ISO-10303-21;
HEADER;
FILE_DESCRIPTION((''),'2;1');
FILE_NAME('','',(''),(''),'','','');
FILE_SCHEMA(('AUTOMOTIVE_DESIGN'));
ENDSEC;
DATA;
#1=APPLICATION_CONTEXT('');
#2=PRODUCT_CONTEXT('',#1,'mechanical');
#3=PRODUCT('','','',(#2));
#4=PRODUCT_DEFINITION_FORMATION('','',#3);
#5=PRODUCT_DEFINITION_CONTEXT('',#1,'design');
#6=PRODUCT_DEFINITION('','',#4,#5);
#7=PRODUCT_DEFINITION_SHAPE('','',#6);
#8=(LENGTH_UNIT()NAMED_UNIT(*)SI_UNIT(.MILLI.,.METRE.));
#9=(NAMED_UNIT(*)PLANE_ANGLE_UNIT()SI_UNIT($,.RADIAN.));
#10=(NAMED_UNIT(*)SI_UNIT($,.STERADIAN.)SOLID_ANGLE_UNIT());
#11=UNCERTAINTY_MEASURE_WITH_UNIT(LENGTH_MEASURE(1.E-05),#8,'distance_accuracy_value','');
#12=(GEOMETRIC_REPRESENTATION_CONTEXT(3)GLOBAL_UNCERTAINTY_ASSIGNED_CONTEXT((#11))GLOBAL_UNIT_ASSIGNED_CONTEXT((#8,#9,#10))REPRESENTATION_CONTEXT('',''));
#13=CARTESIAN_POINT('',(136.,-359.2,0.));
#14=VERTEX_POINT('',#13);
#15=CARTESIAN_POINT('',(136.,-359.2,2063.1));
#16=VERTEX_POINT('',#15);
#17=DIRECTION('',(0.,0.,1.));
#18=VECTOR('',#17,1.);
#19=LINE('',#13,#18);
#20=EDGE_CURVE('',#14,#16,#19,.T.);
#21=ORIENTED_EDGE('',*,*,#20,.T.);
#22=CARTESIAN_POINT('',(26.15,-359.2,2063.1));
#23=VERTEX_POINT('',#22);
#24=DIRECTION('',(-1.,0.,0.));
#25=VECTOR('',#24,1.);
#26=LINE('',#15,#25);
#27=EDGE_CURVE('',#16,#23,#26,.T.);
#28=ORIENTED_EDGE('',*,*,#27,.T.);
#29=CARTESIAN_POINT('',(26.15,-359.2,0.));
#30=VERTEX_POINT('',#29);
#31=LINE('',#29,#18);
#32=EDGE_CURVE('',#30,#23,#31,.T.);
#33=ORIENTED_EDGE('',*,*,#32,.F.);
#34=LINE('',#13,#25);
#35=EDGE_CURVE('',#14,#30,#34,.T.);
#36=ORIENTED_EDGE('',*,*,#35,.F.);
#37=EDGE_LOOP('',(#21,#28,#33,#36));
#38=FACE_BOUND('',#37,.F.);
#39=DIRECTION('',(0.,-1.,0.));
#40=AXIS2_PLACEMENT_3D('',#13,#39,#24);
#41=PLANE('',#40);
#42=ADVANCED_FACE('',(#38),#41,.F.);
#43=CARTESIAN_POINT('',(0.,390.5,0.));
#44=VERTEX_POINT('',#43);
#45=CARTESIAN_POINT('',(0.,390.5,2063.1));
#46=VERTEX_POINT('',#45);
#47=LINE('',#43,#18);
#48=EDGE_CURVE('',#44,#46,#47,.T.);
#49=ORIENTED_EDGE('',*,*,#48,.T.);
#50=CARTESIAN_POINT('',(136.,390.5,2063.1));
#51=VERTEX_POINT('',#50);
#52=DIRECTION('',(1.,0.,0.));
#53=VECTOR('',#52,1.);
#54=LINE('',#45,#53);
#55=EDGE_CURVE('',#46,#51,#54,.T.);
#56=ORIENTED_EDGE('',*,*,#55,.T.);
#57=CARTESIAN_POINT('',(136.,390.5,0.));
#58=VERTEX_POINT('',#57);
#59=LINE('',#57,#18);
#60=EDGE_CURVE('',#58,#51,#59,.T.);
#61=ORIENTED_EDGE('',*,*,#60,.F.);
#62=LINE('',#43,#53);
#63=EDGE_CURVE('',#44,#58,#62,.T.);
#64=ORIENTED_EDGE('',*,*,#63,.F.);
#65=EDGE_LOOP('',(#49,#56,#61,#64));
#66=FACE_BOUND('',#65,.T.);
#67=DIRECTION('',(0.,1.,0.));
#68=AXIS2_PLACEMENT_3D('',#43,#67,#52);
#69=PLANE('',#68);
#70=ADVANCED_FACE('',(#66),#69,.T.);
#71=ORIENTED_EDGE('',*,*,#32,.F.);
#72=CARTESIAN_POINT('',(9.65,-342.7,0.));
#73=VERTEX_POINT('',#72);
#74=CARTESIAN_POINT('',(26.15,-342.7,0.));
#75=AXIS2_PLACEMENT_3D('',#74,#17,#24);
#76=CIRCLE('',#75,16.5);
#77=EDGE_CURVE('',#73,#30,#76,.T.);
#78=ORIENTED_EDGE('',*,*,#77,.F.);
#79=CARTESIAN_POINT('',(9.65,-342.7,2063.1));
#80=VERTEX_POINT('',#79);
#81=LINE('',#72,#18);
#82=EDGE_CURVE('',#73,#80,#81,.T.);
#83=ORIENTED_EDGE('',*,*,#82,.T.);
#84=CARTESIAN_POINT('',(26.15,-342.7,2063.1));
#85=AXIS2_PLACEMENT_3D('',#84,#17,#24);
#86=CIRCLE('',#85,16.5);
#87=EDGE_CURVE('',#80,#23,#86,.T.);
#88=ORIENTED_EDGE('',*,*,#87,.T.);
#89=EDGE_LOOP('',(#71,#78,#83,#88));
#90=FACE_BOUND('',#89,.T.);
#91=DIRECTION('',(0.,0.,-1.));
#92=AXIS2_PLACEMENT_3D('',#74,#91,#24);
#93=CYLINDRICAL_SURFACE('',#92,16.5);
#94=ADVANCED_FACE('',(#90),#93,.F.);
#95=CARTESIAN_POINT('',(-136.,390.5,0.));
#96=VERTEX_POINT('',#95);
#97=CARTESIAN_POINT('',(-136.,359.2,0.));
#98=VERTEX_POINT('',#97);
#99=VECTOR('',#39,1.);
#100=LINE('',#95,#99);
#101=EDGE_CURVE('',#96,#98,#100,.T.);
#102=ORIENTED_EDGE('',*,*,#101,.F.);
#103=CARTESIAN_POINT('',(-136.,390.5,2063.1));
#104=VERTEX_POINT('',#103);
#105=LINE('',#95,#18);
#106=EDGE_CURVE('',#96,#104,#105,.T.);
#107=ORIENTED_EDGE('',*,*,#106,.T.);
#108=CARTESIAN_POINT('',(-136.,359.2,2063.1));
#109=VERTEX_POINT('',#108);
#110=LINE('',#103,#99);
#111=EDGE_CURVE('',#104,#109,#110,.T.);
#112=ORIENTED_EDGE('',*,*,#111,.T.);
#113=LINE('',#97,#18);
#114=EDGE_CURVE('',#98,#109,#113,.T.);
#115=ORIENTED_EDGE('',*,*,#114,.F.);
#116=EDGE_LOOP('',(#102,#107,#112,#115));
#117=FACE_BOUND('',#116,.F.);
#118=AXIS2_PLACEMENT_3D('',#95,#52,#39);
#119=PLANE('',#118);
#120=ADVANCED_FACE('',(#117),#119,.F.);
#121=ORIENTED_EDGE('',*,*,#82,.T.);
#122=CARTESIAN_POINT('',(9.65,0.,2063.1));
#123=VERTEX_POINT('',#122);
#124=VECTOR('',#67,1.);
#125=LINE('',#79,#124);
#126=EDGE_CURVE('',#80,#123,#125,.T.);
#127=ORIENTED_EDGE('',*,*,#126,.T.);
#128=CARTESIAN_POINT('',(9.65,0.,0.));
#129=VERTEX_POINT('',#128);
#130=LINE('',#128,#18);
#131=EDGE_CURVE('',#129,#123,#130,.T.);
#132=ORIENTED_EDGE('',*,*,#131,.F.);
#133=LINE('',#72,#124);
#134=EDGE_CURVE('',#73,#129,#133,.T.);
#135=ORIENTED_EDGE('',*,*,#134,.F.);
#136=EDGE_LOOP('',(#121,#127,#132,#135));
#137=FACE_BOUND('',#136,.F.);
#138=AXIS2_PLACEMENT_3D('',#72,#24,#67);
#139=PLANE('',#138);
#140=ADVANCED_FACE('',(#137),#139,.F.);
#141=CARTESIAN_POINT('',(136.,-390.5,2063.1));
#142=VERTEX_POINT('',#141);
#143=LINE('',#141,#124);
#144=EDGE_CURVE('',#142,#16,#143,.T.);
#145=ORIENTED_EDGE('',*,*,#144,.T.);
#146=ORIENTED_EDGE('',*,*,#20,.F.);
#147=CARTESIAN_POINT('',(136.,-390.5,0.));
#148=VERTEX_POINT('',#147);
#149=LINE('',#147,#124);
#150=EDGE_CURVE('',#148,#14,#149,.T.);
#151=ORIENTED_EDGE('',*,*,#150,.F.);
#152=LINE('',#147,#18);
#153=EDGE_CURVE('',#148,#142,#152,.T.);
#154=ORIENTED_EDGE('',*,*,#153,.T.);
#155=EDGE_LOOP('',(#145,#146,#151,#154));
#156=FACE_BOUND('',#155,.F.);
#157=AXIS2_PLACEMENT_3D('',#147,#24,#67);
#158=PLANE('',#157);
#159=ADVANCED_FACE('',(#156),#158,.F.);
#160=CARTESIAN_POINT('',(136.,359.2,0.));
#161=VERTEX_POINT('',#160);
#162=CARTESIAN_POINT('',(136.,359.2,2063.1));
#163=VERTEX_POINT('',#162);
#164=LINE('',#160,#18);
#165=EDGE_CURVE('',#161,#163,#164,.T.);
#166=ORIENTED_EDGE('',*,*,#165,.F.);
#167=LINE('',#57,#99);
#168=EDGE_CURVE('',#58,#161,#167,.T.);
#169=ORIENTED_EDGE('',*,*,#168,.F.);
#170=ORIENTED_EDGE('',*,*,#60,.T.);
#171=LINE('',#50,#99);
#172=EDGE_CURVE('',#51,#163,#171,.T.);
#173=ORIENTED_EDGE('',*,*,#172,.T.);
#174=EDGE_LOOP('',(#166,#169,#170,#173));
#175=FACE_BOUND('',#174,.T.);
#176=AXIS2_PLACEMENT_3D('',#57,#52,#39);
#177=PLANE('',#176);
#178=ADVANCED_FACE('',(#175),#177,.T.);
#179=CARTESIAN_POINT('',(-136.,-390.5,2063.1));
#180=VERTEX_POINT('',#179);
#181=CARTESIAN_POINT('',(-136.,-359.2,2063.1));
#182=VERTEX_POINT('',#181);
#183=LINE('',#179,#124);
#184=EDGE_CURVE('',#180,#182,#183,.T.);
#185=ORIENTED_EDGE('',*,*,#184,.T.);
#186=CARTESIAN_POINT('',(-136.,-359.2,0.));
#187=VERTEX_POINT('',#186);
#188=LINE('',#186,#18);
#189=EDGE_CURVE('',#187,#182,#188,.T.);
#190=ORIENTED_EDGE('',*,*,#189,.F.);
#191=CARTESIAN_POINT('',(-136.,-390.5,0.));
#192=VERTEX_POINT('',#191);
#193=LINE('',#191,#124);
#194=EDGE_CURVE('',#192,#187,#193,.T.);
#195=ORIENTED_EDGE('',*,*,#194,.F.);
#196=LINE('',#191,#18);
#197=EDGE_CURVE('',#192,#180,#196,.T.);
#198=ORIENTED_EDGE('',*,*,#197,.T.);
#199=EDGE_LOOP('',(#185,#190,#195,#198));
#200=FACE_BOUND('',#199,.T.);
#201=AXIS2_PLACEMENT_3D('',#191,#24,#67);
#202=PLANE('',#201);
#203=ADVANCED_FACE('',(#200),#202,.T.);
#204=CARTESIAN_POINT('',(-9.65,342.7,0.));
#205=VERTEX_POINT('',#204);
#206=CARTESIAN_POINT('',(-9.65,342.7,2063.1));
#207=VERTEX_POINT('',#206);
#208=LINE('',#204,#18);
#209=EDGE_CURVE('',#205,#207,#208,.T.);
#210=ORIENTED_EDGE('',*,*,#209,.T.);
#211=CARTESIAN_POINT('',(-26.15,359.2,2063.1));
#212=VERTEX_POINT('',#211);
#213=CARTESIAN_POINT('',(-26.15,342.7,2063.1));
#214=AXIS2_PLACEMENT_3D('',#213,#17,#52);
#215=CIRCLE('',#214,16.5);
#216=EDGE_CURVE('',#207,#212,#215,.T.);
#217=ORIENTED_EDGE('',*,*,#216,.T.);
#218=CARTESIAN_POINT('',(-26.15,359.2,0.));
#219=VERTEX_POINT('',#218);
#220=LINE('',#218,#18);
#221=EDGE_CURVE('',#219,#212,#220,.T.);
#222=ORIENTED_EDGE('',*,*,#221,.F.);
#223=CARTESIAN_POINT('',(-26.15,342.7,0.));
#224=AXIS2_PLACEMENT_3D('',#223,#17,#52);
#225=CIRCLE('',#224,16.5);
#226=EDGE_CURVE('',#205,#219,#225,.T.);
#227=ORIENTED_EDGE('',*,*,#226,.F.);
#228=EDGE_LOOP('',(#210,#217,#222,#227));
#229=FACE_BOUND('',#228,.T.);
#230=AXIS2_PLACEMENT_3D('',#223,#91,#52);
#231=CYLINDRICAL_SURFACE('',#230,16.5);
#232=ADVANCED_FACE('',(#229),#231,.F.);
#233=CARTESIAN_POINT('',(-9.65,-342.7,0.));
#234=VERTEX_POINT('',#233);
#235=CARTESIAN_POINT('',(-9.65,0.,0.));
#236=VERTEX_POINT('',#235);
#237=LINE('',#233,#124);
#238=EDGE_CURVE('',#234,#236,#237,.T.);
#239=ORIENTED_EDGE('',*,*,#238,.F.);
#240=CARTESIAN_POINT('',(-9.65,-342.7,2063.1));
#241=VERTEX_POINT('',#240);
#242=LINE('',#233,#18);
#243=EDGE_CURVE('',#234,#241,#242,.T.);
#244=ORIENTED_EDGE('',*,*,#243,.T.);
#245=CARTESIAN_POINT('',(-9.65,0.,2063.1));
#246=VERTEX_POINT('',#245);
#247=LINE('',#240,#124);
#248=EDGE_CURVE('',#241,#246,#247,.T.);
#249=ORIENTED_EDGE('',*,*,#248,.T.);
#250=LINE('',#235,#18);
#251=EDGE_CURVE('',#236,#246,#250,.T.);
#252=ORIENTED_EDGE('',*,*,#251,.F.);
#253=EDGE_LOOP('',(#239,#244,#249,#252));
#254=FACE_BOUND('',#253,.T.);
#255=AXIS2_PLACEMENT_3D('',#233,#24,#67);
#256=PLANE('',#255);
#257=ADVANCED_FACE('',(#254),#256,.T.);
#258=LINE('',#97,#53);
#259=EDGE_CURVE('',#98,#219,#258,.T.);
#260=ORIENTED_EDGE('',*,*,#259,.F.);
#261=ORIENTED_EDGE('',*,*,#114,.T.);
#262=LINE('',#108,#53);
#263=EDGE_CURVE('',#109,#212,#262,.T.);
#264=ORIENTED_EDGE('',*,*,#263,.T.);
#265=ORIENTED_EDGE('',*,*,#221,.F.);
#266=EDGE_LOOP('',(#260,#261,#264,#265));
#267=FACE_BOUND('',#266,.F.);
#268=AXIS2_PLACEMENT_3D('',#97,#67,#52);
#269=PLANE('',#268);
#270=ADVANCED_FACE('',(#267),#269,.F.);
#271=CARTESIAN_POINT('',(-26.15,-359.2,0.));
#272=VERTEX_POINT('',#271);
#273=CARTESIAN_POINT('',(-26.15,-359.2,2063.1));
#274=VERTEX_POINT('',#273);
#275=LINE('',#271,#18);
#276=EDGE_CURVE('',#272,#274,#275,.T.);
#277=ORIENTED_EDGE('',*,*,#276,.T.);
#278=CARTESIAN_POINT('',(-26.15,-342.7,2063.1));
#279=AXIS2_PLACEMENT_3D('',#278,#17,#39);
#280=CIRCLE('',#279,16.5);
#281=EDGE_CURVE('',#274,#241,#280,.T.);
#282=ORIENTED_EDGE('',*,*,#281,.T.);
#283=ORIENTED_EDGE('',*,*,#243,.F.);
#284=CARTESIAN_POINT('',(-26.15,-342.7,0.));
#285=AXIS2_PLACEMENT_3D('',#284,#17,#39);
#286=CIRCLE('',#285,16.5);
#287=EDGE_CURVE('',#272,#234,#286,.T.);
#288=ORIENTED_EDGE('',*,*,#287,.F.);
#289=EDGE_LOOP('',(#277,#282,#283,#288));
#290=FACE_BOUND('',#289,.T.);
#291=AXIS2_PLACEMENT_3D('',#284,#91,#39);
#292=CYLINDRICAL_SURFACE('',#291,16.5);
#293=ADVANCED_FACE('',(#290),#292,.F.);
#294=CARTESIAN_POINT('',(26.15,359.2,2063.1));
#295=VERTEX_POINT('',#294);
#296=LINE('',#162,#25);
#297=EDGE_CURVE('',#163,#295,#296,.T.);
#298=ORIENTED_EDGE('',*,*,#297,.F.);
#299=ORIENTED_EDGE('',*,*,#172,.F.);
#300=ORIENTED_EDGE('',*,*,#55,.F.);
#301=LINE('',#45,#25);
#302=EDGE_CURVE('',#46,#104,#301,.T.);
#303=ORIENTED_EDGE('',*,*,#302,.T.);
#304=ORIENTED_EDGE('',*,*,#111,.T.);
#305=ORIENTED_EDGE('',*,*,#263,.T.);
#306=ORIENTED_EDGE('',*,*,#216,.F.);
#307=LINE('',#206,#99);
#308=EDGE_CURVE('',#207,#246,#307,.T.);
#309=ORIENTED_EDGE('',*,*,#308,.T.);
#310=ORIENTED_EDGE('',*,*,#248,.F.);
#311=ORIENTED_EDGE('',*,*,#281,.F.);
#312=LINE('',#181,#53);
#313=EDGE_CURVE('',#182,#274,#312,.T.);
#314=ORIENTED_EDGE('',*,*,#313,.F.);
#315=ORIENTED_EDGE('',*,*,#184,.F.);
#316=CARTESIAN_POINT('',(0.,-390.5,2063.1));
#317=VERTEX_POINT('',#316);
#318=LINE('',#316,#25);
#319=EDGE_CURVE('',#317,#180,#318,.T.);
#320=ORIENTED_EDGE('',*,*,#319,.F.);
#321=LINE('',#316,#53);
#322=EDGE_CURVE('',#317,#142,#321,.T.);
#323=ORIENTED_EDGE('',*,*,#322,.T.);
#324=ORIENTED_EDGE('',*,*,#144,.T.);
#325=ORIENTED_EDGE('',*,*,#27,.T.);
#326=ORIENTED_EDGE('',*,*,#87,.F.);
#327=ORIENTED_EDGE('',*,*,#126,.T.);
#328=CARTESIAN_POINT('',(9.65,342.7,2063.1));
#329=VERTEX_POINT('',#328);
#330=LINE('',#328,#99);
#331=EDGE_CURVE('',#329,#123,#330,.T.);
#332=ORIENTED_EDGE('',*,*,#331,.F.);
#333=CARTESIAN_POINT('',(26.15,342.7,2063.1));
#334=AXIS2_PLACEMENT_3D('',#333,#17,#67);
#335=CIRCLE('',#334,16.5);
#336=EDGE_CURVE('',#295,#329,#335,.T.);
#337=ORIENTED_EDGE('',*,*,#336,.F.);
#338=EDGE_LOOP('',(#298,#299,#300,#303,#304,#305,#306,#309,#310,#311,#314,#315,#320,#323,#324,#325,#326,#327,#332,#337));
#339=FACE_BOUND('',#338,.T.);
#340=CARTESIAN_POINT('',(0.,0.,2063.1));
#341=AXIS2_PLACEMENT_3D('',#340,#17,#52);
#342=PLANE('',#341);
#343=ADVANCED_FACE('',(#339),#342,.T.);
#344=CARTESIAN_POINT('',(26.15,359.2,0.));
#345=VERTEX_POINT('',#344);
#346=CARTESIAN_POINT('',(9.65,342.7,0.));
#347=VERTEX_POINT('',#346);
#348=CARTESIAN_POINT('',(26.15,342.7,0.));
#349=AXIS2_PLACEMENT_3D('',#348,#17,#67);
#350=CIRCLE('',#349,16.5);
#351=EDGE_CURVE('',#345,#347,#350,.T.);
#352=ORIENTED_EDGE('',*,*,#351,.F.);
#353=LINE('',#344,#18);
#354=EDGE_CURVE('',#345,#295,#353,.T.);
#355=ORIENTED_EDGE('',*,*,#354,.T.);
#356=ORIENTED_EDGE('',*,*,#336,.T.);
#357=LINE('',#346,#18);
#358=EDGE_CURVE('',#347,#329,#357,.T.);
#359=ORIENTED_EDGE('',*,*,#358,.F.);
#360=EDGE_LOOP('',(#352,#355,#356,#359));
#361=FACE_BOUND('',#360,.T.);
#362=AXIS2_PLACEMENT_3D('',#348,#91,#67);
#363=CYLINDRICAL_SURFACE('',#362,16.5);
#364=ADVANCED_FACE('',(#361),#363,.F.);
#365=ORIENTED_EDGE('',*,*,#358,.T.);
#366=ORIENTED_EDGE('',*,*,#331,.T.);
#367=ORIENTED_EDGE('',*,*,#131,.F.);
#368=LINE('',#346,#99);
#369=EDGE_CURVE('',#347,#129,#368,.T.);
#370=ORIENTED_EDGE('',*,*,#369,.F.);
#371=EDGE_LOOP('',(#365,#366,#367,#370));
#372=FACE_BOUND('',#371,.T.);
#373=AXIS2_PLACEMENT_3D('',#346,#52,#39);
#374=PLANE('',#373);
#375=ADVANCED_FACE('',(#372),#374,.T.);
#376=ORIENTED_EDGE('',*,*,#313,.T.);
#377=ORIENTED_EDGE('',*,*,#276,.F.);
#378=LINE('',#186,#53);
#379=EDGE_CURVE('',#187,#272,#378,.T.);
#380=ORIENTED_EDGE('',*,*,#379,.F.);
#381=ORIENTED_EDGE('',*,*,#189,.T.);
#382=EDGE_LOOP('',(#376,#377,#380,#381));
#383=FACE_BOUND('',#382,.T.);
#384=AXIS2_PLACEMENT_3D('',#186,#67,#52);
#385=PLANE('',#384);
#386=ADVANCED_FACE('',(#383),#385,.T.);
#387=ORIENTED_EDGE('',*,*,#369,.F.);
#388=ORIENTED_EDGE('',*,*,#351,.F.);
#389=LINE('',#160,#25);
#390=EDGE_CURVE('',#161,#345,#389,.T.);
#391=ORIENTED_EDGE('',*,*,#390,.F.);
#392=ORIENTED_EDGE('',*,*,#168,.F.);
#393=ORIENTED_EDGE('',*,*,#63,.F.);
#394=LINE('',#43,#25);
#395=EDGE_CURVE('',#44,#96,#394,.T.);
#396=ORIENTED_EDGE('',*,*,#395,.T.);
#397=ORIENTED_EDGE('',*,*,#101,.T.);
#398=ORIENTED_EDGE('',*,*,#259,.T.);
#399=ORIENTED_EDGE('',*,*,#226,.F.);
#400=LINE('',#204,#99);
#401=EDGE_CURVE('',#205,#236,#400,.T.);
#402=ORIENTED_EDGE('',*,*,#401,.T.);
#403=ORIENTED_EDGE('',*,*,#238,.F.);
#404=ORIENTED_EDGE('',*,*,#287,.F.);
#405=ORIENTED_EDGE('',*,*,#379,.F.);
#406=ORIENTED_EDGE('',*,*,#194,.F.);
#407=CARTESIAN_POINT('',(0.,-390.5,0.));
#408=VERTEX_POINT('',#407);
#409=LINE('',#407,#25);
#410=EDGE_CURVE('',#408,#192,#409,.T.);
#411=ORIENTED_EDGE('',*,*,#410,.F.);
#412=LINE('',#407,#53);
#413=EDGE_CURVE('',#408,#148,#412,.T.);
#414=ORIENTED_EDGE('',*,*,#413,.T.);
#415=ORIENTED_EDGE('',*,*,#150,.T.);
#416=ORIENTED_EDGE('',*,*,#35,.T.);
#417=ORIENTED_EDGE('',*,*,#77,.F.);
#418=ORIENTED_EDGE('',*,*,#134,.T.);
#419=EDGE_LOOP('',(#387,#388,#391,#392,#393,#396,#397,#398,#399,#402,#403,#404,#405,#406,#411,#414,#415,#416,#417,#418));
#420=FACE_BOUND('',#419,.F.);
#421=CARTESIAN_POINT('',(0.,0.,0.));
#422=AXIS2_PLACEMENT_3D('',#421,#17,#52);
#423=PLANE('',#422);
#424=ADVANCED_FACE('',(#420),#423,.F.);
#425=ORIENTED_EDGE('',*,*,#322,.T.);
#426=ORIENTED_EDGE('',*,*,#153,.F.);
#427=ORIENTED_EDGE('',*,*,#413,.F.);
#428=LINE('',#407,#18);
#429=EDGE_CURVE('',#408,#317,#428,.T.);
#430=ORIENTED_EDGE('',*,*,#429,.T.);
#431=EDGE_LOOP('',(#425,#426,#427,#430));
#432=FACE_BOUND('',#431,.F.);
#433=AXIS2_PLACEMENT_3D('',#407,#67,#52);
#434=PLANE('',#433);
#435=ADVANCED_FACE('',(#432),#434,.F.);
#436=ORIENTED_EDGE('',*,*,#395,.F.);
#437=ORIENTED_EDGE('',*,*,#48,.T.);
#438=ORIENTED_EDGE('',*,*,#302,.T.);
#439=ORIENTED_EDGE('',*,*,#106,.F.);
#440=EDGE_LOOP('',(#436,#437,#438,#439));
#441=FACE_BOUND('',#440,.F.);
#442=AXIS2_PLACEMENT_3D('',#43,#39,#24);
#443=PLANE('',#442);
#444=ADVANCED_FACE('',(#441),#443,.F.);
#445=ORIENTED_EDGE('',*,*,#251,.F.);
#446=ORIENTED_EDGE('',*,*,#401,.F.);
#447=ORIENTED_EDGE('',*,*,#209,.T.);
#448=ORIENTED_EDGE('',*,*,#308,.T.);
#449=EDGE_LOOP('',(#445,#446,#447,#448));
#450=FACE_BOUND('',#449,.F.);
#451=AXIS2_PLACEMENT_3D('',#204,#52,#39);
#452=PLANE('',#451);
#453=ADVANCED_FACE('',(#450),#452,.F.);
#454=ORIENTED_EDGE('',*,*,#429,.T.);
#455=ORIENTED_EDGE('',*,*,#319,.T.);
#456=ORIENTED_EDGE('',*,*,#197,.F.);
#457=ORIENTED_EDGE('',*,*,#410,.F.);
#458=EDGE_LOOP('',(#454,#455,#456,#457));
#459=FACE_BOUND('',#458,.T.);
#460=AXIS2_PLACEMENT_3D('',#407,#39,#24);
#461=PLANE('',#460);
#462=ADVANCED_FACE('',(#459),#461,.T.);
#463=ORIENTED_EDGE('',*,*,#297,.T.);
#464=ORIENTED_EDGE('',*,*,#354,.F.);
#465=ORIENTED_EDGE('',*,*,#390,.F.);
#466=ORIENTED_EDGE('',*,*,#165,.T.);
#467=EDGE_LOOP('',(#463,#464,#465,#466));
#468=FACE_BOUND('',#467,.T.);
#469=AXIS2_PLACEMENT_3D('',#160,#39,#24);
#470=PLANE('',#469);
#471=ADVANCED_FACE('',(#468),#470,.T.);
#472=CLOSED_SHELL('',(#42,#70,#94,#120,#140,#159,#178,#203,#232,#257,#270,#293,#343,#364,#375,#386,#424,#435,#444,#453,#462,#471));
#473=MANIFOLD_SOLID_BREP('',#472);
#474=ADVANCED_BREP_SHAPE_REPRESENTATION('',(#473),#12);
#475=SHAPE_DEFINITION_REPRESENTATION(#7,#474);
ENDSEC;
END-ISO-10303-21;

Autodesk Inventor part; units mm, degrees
ref_plane "YZ Plane" through (0, 0, 0) normal (1, 0, 0) x (0, 1, 0)
ref_plane "Start plane" through (0, 0, 0) normal (0, 0, 1) x (1, 0, 0)
ref_plane "End plane" through (0, 0, 2063.1) normal (0, 0, 1) x (1, 0, 0)
sketch "Sketch" plane through (0, 0, 0) normal (0, 0, 1) x (1, 0, 0)
  line L0 (-136, -390.5) -> (-136, -359.2)
  line L1 (-136, -359.2) -> (-26.15, -359.2)
  line L2 (-9.65, -342.7) -> (-9.65, 0)
  line L3 (-9.65, 0) -> (0, 0) construction
  line L4 (0, 0) -> (0, -390.5) construction
  line L5 (0, -390.5) -> (-136, -390.5)
  line L6 (-60, 0) -> (80, 0) construction
  line L7 (0, -60) -> (0, 80) construction
  line L8 (136, -390.5) -> (136, -359.2)
  line L9 (136, -359.2) -> (26.15, -359.2)
  line L10 (9.65, -342.7) -> (9.65, 0)
  line L11 (9.65, 0) -> (0, 0) construction
  line L12 (0, -390.5) -> (136, -390.5)
  line L13 (-136, 390.5) -> (-136, 359.2)
  line L14 (-136, 359.2) -> (-26.15, 359.2)
  line L15 (-9.65, 342.7) -> (-9.65, 0)
  line L16 (0, 390.5) -> (-136, 390.5)
  line L17 (136, 390.5) -> (136, 359.2)
  line L18 (136, 359.2) -> (26.15, 359.2)
  line L19 (0, 390.5) -> (136, 390.5)
  line L20 (9.65, 342.7) -> (9.65, 0)
  arc A0 (-9.65, 342.7) -> (-26.15, 359.2) centre (-26.15, 342.7) ccw
  arc A1 (26.15, 359.2) -> (9.65, 342.7) centre (26.15, 342.7) ccw
  arc A2 (9.65, -342.7) -> (26.15, -359.2) centre (26.15, -342.7) ccw
  arc A3 (-26.15, -359.2) -> (-9.65, -342.7) centre (-26.15, -342.7) ccw
  line L21 (0, 108) -> (0, -88) construction
  line L22 (-88, 0) -> (108, 0) construction
  point P0 (-9.65, -359.2)
  point P1 (9.65, -359.2)
  point P2 (-9.65, 359.2)
  point P3 (9.65, 359.2)
  dimension "d1" = 390.5
  dimension "d2" = 31.3
  dimension "d3" = 136
  dimension "d4" = 9.65
  dimension "d10" = 16.5
extrude "Body" add sketch "Sketch" along normal up to surface (2063.1 mm away) from surface at 0
sketch "Sketch4" plane through (0, 0, 0) normal (0, 0, 1) x (1, 0, 0)
  line L0 (0, 0) -> (10, 0)
ref_plane "Work Plane3" through (0, 0, 0) normal (0, -1, 0) x (1, 0, 0)
sketch "Sketch5" plane through (0, 0, 0) normal (0, -1, 0) x (1, 0, 0)
  line L0 (-2, 0) -> (12, 0) projected
  line L1 (-2, 2063.1) -> (12, 2063.1) projected
  dimension "d14" = 2063.1
equation "\"d1\" = 0.5 * G_H"
equation "\"d2\" = G_T1"
equation "\"d3\" = 0.5 * G_W"
equation "\"d4\" = 0.5 * G_T"
equation "\"d10\" = G_IR"
equation "\"d5\" = G_L"
equation "\"G_W\" = 272"
equation "\"G_H\" = 781"
equation "\"G_T\" = 19.3"
equation "\"G_T1\" = 31.3"
equation "\"G_IR\" = 16.5"
equation "\"G_L\" = d14"
equation "\"G_OFFSET_START\" = 0"
equation "\"G_OFFSET_END\" = 0"
equation "\"d12\" = G_OFFSET_END + B_L"
equation "\"B_L\" = 2063.1"
properties part number "AS 3679-1990 - 760 UB - 244 - 2063.1" material "Steel, Mild"
